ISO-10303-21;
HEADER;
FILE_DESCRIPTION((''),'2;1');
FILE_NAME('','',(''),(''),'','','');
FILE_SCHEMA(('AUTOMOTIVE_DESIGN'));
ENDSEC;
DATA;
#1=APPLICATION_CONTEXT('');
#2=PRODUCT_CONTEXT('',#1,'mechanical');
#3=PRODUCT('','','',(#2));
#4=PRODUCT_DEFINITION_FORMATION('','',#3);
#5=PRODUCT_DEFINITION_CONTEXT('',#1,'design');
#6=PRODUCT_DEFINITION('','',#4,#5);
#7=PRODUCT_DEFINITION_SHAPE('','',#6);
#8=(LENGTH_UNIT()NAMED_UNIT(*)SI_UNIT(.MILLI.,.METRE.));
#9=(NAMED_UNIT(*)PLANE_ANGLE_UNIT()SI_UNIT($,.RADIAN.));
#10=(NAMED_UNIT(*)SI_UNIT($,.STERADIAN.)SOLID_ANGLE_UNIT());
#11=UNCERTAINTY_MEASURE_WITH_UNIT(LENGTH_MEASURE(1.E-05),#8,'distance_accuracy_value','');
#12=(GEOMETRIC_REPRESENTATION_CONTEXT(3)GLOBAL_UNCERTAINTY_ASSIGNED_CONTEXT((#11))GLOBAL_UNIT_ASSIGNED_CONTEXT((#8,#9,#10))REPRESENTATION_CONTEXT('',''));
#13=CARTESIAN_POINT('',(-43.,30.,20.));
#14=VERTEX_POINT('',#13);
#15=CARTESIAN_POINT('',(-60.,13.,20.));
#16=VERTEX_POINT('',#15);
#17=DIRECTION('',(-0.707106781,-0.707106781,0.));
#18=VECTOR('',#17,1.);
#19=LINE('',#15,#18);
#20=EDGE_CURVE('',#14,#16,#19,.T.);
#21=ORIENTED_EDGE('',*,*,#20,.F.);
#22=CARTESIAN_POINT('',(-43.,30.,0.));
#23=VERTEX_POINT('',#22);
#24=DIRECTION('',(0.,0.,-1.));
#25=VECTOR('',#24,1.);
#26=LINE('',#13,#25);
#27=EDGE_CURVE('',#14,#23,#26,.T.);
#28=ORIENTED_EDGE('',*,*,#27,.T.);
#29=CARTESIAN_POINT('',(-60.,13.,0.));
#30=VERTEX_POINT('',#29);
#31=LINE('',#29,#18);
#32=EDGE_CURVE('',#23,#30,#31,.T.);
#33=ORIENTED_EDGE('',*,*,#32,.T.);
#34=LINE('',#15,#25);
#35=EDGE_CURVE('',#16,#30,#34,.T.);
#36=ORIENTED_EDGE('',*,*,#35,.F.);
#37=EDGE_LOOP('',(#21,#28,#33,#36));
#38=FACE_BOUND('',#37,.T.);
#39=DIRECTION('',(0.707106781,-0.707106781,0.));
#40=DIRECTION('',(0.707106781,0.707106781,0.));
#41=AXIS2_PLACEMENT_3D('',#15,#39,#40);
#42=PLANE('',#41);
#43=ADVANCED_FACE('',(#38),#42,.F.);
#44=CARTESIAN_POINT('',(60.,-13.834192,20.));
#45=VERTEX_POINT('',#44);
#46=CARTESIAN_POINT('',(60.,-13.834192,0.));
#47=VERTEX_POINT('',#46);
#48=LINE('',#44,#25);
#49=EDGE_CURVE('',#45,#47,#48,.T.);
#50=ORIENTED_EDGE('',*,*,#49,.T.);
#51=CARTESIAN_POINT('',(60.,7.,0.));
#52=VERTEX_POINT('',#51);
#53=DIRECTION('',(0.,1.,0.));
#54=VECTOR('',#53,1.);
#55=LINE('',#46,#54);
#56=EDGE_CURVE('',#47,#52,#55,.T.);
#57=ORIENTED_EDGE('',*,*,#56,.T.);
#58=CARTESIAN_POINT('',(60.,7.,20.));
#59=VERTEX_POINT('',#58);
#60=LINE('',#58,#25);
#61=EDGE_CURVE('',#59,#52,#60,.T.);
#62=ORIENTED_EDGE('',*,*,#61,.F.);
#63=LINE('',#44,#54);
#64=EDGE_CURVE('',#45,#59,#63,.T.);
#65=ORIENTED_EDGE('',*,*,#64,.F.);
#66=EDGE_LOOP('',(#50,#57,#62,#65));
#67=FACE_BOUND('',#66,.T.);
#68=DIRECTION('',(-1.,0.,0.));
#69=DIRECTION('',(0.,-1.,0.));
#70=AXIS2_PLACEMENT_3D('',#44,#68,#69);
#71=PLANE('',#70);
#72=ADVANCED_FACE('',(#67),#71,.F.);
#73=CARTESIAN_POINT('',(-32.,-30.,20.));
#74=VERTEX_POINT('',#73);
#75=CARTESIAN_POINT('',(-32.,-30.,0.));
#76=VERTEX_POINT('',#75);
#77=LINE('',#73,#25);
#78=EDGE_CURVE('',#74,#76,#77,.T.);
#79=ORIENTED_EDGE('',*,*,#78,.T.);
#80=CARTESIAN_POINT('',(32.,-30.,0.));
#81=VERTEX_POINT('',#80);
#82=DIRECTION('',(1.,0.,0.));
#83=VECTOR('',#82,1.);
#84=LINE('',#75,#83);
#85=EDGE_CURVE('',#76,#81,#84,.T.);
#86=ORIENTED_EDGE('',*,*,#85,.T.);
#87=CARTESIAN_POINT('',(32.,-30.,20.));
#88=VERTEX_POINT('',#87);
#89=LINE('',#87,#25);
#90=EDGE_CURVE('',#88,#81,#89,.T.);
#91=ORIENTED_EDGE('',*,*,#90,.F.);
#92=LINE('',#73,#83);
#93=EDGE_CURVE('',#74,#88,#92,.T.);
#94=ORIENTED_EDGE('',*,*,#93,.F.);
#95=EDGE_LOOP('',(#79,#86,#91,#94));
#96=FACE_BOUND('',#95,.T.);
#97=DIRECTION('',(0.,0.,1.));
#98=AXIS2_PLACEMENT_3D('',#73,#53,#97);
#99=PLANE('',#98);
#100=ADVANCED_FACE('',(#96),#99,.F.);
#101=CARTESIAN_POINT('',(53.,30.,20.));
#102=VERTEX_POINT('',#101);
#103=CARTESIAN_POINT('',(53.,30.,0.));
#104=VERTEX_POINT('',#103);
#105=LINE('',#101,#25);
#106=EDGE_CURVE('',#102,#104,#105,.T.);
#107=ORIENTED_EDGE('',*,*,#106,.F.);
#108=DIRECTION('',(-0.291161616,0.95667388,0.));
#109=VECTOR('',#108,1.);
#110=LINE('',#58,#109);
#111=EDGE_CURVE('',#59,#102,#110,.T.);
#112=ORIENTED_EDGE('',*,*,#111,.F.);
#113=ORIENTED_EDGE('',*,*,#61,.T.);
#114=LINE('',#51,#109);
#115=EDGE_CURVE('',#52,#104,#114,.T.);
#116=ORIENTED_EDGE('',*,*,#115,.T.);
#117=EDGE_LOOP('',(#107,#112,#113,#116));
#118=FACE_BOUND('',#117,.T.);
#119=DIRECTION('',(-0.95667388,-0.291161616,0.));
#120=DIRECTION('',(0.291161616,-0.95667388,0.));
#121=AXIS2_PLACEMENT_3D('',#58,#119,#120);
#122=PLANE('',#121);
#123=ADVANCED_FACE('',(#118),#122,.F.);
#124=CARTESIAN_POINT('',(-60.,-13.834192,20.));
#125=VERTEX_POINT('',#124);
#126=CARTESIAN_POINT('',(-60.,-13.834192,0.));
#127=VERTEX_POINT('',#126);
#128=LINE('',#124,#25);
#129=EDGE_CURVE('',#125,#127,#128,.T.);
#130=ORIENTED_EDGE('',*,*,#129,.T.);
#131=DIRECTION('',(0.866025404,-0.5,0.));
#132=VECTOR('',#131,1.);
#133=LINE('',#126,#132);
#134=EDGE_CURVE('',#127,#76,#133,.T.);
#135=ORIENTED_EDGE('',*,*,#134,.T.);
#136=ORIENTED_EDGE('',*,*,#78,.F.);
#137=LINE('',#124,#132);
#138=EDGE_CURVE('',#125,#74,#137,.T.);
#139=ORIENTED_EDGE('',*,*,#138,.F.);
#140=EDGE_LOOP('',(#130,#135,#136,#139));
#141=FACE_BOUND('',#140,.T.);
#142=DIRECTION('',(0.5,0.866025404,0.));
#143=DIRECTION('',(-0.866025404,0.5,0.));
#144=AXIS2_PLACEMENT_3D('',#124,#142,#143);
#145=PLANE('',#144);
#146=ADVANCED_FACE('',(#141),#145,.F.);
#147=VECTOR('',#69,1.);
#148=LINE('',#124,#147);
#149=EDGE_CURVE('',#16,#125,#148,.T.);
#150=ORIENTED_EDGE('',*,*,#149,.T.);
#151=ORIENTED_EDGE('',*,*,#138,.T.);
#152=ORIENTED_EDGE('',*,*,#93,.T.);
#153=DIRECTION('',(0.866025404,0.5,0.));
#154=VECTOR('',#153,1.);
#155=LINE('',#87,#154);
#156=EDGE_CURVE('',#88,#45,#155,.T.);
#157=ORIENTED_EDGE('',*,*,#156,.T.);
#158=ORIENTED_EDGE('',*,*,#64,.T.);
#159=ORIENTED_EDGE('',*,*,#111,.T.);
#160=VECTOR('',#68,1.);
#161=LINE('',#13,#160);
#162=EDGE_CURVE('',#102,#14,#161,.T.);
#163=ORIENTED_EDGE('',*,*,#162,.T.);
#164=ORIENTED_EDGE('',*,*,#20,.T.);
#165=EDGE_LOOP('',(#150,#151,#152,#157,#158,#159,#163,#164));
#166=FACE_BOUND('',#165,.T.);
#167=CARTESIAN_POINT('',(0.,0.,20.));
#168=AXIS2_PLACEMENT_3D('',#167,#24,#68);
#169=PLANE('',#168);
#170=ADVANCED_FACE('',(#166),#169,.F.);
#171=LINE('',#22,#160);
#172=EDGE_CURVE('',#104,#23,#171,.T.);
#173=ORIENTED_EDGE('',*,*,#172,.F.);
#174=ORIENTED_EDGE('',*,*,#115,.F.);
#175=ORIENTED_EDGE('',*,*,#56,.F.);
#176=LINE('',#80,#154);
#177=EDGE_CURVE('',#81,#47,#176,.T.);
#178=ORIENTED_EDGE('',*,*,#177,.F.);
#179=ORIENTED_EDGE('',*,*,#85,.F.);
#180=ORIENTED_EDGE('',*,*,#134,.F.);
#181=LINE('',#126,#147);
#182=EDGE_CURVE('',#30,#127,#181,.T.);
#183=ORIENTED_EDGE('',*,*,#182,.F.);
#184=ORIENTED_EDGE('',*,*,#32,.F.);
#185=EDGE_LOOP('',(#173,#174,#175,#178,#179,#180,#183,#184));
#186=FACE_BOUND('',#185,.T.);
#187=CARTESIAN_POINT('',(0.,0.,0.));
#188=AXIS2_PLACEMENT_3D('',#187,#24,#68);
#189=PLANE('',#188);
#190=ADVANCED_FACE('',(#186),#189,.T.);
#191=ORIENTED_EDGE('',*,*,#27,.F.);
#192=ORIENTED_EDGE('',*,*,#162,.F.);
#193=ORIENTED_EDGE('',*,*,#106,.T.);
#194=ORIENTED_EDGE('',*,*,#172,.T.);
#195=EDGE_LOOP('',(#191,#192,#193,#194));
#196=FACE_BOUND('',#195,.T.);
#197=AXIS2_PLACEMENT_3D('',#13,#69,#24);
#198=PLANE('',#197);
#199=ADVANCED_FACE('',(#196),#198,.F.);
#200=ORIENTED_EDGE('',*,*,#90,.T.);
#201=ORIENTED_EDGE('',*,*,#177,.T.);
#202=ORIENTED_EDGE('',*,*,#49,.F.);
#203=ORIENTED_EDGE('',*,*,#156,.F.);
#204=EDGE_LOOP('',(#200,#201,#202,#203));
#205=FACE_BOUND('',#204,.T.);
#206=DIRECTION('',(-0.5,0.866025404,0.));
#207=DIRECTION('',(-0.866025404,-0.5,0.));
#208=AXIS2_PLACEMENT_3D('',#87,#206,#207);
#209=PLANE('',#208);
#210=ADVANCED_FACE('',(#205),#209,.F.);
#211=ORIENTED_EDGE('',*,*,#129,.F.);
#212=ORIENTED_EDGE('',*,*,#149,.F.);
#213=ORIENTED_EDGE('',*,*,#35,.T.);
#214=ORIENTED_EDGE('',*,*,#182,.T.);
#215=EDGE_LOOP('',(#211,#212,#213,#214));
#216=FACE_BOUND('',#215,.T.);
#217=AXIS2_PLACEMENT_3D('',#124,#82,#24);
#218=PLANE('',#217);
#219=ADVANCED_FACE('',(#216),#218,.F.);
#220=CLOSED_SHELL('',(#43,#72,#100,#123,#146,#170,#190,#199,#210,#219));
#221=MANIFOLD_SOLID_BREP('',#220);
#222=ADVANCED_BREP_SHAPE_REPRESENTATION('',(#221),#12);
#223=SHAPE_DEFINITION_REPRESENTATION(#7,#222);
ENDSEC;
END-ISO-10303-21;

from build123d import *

# Parameters (mm, degrees)
BOSS_EXTRU_6_DEPTH = 20


with BuildPart() as part:
    # Esquisse5 → Boss.-Extru.6 (new body)
    with BuildSketch(Plane.XY):
        Polygon((-60, 13), (-43, 30), (53, 30), (60, 7), (60, -13.834192463), (32, -30), (-32, -30), (-60, -13.834192463), align=None)
    extrude(amount=BOSS_EXTRU_6_DEPTH)


solid = part.part
